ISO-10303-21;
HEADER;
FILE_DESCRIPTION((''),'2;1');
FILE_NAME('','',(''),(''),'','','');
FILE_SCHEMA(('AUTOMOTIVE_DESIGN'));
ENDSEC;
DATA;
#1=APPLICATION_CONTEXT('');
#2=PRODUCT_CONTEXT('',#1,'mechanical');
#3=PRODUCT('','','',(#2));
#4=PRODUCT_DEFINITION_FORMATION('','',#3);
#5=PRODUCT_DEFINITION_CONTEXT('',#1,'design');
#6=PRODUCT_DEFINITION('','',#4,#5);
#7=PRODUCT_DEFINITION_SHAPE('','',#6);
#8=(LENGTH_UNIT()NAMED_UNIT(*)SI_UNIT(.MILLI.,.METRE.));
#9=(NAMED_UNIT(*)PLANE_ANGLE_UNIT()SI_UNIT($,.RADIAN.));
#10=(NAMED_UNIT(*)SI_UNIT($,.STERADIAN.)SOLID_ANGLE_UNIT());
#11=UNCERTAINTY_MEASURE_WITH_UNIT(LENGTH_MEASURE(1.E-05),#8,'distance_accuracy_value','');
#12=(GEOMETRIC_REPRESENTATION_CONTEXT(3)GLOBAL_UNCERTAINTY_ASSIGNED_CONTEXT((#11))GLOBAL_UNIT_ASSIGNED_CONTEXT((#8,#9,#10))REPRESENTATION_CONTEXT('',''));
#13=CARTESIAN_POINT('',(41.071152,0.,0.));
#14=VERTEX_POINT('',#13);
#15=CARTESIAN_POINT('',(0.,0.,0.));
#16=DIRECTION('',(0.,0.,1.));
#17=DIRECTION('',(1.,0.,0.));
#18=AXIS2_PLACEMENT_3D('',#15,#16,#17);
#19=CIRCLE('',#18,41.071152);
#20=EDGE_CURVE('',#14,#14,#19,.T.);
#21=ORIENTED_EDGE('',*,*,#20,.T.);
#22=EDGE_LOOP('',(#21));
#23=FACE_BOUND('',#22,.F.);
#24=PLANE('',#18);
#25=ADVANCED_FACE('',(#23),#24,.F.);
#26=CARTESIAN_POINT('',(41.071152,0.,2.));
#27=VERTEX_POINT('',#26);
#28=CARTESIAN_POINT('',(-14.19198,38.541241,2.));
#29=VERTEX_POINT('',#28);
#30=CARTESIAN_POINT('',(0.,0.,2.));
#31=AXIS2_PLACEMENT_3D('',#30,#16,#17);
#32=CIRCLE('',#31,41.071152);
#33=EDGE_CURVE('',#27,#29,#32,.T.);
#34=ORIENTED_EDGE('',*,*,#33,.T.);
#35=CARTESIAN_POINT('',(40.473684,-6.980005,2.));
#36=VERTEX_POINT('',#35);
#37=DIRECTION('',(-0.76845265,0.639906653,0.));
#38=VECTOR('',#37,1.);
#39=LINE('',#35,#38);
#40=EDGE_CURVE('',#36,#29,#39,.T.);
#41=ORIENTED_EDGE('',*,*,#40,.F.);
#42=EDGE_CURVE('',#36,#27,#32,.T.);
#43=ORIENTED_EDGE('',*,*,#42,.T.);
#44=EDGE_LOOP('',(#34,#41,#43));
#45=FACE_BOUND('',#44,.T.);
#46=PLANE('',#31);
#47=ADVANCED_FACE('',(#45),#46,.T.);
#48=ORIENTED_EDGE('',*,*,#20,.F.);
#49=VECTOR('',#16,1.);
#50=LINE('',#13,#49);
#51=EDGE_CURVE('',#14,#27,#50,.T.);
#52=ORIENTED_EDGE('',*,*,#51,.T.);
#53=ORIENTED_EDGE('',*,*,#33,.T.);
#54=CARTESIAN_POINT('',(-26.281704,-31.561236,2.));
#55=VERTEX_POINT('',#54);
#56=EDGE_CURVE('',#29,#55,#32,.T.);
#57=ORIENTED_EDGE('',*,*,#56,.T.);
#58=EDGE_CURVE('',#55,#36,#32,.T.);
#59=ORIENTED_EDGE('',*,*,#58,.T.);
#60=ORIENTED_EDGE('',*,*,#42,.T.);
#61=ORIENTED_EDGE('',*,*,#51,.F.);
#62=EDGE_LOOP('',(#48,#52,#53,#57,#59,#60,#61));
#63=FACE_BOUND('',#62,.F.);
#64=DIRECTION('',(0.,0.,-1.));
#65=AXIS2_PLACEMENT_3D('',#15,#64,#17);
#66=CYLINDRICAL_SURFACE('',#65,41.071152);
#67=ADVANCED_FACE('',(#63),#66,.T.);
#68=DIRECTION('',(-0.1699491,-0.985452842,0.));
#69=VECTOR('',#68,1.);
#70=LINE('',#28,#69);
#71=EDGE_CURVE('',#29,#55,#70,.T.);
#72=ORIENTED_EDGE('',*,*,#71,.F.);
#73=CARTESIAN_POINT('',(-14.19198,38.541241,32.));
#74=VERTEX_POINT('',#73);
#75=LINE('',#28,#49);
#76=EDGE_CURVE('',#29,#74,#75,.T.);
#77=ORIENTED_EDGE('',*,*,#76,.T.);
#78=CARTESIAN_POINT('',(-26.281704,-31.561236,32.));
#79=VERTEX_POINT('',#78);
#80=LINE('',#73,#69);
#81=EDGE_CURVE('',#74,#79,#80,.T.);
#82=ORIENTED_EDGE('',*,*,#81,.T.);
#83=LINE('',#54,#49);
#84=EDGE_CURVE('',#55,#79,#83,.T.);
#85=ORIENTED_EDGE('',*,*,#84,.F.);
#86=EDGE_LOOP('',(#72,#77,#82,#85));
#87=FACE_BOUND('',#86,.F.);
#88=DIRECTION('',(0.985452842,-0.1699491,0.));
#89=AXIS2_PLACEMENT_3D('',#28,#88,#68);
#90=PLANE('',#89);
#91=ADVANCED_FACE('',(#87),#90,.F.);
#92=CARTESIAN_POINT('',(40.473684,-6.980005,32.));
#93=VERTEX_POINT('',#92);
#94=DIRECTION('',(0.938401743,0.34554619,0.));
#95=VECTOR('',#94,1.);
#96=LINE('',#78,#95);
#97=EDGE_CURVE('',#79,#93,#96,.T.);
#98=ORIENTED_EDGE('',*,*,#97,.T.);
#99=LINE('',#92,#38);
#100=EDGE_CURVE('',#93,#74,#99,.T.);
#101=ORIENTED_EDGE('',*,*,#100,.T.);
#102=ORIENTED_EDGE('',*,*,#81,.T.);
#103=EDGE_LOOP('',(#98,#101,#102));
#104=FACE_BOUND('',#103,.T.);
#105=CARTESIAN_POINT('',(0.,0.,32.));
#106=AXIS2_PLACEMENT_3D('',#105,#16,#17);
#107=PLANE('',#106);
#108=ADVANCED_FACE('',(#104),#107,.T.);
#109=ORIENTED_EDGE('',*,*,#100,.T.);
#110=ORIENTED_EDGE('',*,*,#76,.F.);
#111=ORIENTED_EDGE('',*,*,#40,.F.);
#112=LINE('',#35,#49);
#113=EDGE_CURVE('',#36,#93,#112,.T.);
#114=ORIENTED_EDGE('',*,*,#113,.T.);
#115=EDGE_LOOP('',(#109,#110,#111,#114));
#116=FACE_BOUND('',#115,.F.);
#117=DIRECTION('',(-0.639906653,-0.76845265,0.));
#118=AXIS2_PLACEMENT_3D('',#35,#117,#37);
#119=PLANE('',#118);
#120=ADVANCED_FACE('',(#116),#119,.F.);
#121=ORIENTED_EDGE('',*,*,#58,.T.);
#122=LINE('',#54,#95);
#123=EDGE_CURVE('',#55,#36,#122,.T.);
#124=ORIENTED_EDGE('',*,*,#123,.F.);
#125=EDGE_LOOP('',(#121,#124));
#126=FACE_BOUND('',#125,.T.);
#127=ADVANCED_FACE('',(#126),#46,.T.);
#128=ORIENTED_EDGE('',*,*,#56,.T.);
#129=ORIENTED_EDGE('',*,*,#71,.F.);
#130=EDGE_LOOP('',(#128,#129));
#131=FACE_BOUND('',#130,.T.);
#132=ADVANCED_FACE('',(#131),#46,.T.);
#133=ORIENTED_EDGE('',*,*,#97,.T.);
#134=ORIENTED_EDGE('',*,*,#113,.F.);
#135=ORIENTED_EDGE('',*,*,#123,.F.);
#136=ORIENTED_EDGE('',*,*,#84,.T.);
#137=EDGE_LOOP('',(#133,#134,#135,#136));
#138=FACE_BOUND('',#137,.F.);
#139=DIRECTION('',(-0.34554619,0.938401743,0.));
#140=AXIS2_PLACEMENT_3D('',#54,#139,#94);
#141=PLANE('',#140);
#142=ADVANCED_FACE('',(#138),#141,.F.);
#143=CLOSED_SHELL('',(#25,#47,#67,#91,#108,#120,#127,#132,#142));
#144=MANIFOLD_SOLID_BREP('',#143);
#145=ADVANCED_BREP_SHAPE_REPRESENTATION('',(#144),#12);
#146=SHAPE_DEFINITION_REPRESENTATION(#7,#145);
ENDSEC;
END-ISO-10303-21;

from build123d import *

# Parameters (mm, degrees)
F0_R     = 41.071152
F1_DEPTH = 2
F3_DEPTH = 30


with BuildPart() as f1:
    # F0 (on Top) → F1 (new body)
    with BuildSketch(Plane.XY):
        Circle(F0_R)
    extrude(amount=F1_DEPTH)

    # F2 (on face) → F3 (join)
    with BuildSketch(Plane.XY.offset(2)):
        Polygon((40.473684, -6.980005), (-14.19198, 38.541241), (-26.281704, -31.561236), align=None)
    extrude(amount=F3_DEPTH)


solid = f1.part
